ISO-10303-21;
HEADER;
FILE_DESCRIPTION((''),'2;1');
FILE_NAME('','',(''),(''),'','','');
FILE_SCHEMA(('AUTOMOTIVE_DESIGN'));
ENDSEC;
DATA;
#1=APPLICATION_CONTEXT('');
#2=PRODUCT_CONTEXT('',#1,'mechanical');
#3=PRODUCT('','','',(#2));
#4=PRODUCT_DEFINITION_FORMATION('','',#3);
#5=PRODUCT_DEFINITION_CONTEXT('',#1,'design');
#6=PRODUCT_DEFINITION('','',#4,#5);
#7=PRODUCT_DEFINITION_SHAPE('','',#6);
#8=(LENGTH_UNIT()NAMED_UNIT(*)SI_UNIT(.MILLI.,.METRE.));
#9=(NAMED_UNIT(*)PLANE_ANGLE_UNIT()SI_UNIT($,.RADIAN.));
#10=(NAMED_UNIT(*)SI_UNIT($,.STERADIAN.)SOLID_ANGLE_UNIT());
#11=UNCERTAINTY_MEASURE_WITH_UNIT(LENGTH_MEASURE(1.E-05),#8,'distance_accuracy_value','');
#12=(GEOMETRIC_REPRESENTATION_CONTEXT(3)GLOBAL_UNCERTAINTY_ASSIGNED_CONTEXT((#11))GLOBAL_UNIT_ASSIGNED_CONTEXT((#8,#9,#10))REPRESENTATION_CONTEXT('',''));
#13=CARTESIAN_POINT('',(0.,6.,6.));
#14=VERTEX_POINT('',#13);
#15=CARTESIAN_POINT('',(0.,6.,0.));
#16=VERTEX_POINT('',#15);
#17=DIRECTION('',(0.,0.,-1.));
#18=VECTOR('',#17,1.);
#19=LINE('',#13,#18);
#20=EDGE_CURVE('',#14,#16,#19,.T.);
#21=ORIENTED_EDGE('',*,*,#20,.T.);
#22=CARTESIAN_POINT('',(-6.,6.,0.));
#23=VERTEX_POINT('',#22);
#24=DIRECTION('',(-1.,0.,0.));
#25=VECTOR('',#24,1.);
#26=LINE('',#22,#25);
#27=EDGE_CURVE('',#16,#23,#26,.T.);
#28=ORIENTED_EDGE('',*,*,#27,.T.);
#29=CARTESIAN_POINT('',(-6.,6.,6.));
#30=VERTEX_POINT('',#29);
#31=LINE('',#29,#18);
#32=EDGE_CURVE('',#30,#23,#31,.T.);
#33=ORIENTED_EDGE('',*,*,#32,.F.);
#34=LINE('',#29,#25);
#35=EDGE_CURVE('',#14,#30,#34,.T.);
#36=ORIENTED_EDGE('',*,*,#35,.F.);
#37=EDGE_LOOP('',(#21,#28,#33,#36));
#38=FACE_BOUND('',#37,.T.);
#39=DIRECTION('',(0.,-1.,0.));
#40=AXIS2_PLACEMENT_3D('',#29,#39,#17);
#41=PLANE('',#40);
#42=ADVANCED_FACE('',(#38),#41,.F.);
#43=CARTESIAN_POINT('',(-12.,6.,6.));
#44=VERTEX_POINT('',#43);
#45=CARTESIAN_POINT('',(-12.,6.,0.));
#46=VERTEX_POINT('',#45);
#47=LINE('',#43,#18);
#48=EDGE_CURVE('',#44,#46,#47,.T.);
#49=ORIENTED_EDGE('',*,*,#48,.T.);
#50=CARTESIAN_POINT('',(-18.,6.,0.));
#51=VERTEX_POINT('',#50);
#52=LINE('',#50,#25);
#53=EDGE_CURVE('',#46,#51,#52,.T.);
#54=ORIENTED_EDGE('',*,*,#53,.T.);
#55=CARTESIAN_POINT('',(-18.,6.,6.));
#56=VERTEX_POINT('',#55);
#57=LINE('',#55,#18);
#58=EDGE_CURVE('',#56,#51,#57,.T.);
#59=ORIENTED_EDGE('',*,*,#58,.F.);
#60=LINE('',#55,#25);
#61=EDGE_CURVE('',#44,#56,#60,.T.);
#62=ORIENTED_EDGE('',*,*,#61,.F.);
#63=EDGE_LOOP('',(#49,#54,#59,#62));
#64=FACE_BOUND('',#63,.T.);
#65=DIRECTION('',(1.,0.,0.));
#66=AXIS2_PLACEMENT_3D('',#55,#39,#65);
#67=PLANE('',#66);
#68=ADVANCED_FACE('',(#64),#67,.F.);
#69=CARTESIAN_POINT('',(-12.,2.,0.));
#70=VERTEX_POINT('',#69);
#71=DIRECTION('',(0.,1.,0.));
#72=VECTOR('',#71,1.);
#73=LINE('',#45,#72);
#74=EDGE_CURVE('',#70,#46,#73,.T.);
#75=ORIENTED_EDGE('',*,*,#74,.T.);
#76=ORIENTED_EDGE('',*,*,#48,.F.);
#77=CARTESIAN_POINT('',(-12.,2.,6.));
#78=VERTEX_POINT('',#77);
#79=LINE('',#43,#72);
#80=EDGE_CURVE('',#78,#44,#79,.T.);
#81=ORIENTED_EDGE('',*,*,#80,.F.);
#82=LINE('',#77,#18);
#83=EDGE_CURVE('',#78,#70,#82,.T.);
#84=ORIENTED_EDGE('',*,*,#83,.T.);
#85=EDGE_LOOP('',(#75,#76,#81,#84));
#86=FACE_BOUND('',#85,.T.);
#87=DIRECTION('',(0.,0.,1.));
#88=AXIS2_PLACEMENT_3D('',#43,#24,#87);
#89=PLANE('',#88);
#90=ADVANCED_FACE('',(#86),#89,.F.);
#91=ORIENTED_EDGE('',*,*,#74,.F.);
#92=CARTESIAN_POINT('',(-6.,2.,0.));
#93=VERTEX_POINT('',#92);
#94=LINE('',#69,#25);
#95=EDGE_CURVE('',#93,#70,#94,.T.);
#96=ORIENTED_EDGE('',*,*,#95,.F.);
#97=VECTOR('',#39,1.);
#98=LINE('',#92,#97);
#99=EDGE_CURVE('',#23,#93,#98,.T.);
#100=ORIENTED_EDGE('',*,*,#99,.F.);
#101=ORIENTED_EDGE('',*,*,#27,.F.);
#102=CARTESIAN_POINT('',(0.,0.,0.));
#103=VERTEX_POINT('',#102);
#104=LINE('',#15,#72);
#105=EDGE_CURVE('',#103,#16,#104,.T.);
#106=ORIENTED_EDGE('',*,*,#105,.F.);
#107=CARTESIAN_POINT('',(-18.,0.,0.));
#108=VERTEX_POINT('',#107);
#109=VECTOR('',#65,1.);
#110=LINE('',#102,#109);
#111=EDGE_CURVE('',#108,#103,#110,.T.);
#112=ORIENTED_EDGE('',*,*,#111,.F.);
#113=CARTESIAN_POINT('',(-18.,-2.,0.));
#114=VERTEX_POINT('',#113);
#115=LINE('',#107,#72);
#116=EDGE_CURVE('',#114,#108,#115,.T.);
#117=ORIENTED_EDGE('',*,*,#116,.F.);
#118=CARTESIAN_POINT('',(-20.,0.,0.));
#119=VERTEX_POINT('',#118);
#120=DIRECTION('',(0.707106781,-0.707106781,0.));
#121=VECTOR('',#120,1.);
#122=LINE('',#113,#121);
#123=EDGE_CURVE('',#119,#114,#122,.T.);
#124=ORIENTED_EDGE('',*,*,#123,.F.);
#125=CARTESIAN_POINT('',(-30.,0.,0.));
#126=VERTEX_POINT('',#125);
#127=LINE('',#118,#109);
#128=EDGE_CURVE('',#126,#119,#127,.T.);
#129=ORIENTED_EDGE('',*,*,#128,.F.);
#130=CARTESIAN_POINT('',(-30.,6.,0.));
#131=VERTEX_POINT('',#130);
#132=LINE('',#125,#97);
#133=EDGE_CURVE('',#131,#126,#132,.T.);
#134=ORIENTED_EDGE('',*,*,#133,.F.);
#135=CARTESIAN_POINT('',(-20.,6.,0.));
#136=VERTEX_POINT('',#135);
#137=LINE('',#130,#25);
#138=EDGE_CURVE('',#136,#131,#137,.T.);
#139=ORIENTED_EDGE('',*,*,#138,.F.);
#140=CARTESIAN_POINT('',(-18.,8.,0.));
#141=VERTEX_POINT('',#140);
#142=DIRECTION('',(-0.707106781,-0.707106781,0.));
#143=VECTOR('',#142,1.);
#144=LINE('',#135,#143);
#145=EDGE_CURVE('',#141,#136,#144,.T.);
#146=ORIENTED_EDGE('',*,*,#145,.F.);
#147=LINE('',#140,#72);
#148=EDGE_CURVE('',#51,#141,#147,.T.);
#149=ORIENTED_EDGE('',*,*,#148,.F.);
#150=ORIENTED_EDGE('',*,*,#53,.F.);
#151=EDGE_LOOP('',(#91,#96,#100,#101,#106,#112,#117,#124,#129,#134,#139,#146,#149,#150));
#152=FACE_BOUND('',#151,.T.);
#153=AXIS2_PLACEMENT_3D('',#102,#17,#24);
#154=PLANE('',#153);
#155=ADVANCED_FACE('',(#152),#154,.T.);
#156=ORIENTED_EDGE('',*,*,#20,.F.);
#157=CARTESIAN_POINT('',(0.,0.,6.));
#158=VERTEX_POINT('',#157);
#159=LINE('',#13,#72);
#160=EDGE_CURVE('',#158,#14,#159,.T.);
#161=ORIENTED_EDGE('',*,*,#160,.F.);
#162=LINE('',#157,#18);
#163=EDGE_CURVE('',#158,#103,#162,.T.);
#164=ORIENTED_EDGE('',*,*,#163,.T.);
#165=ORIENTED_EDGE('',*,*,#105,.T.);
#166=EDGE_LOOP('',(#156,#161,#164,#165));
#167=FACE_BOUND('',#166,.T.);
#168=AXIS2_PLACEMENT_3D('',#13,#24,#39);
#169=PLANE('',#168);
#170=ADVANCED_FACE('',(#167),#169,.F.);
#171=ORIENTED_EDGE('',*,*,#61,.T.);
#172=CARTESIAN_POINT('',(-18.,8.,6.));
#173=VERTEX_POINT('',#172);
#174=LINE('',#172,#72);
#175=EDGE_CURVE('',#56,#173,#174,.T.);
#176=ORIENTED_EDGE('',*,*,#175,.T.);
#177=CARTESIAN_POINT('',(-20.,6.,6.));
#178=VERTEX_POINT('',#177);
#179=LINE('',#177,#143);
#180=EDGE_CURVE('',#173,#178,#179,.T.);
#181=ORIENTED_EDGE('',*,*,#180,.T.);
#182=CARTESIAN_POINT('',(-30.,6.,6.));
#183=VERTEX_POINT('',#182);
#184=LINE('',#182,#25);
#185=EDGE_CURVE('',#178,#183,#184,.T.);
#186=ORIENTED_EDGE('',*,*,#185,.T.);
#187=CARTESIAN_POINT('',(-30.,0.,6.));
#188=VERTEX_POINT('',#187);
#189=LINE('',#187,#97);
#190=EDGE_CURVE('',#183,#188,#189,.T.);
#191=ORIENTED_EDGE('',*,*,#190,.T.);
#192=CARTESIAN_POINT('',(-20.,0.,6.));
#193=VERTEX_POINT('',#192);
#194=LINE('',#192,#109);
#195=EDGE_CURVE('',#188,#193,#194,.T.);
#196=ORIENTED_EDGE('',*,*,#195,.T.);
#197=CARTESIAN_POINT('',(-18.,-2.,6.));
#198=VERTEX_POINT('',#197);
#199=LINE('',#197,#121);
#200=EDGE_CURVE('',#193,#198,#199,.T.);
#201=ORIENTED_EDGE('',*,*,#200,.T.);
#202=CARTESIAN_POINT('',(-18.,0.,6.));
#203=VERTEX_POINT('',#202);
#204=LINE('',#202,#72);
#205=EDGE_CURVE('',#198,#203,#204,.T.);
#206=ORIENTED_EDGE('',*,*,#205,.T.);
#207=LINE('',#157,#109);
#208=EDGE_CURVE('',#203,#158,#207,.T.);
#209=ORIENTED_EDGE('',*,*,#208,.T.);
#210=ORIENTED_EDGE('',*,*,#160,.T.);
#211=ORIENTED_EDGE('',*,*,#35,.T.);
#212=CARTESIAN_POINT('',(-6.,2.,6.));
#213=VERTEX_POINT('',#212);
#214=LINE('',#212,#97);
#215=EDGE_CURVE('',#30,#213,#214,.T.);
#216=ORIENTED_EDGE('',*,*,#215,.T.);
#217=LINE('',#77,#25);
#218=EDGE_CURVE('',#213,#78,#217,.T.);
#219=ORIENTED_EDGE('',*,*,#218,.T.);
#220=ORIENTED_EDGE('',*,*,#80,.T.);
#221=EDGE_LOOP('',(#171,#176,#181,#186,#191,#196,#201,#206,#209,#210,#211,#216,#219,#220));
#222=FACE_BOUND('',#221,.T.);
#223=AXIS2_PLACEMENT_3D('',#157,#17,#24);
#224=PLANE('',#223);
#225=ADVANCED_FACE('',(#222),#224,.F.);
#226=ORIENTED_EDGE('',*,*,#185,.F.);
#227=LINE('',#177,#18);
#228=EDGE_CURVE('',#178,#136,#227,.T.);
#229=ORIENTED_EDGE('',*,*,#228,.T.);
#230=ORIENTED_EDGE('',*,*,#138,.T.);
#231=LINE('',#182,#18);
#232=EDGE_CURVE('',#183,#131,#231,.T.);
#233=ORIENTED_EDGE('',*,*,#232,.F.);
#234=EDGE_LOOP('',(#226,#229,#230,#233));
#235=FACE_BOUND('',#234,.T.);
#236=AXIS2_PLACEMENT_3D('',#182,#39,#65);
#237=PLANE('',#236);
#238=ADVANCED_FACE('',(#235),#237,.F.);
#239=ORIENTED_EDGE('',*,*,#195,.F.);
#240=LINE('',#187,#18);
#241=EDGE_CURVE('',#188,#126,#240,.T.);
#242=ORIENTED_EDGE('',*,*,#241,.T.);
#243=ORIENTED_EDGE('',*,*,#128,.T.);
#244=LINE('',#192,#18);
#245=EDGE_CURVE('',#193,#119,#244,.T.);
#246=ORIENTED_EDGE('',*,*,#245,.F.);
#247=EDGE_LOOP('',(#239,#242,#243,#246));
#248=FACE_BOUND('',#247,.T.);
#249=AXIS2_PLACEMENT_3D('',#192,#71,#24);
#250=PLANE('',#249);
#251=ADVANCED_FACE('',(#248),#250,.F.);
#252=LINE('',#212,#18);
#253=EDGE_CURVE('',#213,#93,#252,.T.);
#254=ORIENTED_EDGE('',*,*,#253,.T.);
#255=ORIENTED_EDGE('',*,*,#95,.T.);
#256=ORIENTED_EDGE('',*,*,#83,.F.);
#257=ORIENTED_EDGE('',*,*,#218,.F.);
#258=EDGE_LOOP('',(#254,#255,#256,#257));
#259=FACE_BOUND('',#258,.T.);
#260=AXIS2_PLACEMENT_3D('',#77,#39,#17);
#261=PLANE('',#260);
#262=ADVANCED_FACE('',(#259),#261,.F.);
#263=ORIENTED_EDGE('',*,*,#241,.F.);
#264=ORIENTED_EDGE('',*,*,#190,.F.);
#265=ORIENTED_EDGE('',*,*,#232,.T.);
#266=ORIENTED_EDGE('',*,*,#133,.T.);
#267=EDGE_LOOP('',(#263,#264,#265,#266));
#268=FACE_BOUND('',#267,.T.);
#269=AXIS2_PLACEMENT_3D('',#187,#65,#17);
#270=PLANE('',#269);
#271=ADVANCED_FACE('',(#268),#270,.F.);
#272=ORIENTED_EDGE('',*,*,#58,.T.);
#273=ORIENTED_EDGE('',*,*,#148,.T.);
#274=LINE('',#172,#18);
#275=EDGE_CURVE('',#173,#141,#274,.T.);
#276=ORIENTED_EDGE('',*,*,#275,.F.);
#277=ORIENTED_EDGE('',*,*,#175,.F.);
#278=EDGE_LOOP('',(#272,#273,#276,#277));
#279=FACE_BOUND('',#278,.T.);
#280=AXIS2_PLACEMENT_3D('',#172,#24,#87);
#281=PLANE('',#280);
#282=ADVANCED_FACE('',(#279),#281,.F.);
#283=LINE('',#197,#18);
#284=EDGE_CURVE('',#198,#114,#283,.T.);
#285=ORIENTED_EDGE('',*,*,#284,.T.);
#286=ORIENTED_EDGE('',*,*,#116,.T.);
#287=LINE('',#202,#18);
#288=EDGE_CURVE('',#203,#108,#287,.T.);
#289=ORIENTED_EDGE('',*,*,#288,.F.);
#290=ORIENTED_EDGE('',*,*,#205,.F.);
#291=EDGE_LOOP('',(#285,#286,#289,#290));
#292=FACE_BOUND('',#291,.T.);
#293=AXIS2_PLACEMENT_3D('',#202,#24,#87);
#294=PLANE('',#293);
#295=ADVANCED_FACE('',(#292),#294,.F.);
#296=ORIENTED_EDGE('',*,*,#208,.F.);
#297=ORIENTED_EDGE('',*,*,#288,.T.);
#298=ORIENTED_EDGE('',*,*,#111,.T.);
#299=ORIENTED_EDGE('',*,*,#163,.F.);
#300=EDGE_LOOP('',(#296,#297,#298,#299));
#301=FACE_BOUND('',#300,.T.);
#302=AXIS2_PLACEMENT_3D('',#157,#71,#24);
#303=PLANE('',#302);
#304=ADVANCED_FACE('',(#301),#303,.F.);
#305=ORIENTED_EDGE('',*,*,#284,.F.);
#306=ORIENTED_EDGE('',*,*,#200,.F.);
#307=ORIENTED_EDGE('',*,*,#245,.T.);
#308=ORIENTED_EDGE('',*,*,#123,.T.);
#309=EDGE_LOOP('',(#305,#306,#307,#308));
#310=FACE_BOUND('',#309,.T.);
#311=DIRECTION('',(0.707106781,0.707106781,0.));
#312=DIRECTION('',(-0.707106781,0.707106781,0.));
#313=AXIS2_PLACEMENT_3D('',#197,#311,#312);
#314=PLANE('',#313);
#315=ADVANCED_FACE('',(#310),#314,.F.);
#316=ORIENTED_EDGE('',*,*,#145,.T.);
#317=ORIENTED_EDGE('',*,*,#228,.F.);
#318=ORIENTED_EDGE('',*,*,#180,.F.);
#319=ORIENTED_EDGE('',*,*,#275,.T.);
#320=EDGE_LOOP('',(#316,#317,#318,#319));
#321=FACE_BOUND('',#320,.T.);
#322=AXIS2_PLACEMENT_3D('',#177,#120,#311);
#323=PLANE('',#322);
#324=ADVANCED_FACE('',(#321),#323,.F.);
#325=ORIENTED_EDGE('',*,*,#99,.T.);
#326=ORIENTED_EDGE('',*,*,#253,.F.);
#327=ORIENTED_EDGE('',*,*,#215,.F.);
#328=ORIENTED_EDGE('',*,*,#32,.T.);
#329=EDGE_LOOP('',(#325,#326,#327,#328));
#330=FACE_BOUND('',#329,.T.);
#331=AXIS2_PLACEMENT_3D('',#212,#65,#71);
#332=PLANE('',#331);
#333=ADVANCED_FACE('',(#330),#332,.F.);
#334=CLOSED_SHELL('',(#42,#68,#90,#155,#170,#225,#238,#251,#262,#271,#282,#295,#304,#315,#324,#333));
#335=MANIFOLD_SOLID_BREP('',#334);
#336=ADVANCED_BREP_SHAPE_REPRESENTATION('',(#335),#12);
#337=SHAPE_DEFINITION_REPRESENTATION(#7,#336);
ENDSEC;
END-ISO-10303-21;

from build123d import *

# Parameters (mm, degrees)
BOSS_EXTRUDE1_DEPTH = 6


with BuildPart() as part:
    # Sketch1 → Boss-Extrude1 (new body)
    with BuildSketch(Plane.XY):
        Polygon((0, 0), (-18, 0), (-18, -2), (-20, 0), (-30, 0), (-30, 6), (-20, 6), (-18, 8), (-18, 6), (-12, 6), (-12, 2), (-6, 2), (-6, 6), (0, 6), align=None)
    extrude(amount=BOSS_EXTRUDE1_DEPTH)


solid = part.part
